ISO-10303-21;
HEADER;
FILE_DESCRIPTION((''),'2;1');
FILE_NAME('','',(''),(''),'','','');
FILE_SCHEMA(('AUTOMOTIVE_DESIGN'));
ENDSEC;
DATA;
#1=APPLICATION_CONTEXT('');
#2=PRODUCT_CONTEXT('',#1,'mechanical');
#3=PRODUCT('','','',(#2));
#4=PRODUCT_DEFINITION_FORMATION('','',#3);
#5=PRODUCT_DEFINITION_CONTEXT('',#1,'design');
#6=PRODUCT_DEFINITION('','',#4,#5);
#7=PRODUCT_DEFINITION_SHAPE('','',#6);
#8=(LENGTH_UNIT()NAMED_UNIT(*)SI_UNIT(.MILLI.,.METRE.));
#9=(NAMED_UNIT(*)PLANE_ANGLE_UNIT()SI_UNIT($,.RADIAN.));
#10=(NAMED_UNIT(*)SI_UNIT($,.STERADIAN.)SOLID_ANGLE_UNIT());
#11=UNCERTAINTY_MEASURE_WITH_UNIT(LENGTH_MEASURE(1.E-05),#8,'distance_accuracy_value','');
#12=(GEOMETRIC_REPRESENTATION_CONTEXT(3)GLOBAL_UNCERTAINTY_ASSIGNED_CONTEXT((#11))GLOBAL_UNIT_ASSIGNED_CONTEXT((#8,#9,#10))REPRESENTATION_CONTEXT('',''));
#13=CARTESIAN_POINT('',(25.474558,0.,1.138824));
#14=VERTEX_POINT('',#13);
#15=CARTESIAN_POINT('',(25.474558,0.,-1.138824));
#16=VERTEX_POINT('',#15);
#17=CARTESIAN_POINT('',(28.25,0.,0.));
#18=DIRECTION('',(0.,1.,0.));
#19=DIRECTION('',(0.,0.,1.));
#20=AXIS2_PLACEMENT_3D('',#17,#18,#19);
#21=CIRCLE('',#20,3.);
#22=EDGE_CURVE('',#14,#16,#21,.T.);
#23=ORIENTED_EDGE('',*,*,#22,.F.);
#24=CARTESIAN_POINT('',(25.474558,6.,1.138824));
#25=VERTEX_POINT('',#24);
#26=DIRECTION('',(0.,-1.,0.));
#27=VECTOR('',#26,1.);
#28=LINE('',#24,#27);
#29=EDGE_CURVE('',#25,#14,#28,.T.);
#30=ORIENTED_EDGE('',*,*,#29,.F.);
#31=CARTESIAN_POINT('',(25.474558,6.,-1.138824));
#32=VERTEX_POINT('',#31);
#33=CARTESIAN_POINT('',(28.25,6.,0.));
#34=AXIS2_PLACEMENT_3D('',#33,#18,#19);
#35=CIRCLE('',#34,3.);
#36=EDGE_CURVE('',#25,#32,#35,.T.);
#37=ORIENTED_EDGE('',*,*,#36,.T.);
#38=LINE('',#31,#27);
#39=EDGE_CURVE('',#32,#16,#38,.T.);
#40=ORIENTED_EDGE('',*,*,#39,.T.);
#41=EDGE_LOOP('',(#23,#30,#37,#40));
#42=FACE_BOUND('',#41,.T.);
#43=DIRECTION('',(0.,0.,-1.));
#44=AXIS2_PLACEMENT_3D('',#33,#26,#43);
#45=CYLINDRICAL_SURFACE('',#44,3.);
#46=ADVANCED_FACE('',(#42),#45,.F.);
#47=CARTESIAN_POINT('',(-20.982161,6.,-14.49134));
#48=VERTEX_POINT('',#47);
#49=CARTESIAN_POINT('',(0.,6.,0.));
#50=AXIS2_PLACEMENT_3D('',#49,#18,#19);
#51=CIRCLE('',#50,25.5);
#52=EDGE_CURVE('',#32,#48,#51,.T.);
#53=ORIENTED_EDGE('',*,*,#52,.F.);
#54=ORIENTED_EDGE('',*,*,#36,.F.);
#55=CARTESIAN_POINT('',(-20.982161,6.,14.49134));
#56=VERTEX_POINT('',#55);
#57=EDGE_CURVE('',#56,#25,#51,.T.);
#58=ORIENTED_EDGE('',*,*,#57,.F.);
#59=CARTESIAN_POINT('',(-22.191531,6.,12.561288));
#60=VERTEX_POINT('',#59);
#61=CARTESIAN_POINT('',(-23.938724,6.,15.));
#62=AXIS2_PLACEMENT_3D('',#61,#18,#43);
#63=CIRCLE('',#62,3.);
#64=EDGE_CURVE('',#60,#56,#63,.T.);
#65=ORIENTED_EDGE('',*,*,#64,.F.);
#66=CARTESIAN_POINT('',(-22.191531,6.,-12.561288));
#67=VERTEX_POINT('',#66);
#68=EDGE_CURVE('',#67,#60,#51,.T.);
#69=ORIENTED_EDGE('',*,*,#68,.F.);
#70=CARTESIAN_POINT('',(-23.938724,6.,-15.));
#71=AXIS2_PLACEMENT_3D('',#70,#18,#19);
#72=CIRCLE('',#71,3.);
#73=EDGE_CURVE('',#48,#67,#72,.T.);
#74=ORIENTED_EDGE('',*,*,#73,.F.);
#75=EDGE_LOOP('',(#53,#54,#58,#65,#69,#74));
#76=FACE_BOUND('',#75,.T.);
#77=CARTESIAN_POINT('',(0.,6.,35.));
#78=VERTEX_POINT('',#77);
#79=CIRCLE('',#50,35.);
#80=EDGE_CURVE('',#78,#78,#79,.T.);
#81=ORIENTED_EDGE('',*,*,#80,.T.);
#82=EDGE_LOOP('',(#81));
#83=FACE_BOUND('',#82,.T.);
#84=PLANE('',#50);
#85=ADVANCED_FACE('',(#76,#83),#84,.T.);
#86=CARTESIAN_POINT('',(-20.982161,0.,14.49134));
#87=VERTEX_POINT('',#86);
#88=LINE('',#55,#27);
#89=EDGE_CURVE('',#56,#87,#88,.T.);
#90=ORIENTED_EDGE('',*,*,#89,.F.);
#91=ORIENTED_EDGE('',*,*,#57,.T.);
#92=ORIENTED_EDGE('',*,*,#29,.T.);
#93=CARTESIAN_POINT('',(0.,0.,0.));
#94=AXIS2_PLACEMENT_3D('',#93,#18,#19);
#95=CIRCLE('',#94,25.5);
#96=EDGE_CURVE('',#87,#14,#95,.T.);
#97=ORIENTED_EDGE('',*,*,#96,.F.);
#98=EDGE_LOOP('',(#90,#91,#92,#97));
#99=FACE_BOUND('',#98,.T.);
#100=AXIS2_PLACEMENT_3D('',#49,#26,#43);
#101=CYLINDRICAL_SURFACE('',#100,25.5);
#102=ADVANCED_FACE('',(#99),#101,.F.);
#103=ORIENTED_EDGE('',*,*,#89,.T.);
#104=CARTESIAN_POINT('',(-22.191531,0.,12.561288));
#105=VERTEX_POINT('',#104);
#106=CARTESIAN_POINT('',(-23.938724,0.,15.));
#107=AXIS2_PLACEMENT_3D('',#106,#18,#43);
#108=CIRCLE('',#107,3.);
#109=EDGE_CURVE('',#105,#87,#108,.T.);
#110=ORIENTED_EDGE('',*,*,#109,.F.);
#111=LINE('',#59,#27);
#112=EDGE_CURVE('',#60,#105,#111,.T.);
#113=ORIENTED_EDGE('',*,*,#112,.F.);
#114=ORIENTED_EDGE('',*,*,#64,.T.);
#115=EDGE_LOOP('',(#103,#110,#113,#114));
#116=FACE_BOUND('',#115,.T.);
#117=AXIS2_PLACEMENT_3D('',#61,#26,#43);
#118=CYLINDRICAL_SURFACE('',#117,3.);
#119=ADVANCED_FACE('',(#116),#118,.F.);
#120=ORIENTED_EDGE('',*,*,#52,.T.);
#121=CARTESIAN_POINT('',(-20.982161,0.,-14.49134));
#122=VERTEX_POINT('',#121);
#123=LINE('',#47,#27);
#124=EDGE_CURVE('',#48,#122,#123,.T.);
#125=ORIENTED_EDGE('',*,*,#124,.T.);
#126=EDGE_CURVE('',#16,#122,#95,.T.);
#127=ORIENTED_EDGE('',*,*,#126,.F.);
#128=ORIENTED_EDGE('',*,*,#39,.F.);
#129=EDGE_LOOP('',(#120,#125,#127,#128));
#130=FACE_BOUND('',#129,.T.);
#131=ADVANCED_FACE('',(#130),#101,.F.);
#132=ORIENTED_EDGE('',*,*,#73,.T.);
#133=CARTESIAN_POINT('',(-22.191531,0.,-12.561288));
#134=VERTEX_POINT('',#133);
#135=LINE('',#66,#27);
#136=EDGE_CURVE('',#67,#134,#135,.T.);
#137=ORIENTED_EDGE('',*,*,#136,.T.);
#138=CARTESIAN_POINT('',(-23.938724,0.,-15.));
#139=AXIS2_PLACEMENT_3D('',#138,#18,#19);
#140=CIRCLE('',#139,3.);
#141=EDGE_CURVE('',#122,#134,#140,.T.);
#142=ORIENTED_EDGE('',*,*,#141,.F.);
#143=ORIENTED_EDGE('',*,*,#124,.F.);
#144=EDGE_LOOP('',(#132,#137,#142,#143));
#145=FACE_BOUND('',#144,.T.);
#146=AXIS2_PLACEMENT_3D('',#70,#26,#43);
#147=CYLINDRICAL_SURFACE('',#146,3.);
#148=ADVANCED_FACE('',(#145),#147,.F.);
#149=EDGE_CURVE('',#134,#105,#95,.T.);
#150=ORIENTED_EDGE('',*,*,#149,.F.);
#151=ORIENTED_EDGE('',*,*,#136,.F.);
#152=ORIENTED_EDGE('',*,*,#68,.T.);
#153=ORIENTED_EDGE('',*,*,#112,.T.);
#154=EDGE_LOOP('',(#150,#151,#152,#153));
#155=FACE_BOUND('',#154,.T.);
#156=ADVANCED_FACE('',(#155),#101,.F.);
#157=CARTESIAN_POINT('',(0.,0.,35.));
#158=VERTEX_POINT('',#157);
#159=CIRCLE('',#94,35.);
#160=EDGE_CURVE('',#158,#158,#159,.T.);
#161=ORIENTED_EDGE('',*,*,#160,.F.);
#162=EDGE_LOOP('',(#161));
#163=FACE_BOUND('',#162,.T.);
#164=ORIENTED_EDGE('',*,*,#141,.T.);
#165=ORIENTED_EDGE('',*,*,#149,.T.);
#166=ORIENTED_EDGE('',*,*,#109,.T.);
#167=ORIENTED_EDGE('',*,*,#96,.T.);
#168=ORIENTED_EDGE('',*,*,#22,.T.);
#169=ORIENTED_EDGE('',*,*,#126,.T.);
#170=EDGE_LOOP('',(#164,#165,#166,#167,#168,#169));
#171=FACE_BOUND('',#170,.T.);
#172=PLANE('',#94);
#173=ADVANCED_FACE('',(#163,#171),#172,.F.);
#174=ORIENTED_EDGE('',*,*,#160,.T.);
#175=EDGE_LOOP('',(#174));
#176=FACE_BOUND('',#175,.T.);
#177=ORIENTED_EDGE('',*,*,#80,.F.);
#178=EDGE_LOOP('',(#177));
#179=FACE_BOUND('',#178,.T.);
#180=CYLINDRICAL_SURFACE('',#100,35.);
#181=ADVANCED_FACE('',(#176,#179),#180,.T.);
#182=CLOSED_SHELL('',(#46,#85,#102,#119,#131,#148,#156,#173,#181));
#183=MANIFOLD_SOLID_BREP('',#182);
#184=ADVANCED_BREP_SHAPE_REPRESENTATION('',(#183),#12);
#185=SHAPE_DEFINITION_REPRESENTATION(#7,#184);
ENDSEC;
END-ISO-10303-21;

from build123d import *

# Parameters (mm, degrees)
SKETCH_1_R      = 35
EXTRUDE_1_DEPTH = 6


with BuildPart() as part:
    # 草图1 → 凸台-拉伸1 (new body)
    with BuildSketch(Plane(origin=(0, 0, 0), x_dir=(1, 0, 0), z_dir=(0, 1, 0))):
        with Locations(Location((0, 0, 0), (0, 0, 270))):
            Circle(SKETCH_1_R)
        with BuildLine():
            ThreePointArc((-20.982160881, 14.491339648), (-26.480889225, 16.592920354), (-22.19153101, 12.561287809))
            ThreePointArc((-22.19153101, 12.561287809), (-25.5, 0), (-22.19153101, -12.561287809))
            ThreePointArc((-22.19153101, -12.561287809), (-26.480889225, -16.592920354), (-20.982160881, -14.491339648))
            ThreePointArc((-20.982160881, -14.491339648), (7.04399237, -24.507798177), (25.474557522, -1.138823539))
            ThreePointArc((25.474557522, -1.138823539), (31.25, 0), (25.474557522, 1.138823539))
            ThreePointArc((25.474557522, 1.138823539), (7.04399237, 24.507798177), (-20.982160881, 14.491339648))
        make_face(mode=Mode.SUBTRACT)
    extrude(amount=EXTRUDE_1_DEPTH)


solid = part.part
